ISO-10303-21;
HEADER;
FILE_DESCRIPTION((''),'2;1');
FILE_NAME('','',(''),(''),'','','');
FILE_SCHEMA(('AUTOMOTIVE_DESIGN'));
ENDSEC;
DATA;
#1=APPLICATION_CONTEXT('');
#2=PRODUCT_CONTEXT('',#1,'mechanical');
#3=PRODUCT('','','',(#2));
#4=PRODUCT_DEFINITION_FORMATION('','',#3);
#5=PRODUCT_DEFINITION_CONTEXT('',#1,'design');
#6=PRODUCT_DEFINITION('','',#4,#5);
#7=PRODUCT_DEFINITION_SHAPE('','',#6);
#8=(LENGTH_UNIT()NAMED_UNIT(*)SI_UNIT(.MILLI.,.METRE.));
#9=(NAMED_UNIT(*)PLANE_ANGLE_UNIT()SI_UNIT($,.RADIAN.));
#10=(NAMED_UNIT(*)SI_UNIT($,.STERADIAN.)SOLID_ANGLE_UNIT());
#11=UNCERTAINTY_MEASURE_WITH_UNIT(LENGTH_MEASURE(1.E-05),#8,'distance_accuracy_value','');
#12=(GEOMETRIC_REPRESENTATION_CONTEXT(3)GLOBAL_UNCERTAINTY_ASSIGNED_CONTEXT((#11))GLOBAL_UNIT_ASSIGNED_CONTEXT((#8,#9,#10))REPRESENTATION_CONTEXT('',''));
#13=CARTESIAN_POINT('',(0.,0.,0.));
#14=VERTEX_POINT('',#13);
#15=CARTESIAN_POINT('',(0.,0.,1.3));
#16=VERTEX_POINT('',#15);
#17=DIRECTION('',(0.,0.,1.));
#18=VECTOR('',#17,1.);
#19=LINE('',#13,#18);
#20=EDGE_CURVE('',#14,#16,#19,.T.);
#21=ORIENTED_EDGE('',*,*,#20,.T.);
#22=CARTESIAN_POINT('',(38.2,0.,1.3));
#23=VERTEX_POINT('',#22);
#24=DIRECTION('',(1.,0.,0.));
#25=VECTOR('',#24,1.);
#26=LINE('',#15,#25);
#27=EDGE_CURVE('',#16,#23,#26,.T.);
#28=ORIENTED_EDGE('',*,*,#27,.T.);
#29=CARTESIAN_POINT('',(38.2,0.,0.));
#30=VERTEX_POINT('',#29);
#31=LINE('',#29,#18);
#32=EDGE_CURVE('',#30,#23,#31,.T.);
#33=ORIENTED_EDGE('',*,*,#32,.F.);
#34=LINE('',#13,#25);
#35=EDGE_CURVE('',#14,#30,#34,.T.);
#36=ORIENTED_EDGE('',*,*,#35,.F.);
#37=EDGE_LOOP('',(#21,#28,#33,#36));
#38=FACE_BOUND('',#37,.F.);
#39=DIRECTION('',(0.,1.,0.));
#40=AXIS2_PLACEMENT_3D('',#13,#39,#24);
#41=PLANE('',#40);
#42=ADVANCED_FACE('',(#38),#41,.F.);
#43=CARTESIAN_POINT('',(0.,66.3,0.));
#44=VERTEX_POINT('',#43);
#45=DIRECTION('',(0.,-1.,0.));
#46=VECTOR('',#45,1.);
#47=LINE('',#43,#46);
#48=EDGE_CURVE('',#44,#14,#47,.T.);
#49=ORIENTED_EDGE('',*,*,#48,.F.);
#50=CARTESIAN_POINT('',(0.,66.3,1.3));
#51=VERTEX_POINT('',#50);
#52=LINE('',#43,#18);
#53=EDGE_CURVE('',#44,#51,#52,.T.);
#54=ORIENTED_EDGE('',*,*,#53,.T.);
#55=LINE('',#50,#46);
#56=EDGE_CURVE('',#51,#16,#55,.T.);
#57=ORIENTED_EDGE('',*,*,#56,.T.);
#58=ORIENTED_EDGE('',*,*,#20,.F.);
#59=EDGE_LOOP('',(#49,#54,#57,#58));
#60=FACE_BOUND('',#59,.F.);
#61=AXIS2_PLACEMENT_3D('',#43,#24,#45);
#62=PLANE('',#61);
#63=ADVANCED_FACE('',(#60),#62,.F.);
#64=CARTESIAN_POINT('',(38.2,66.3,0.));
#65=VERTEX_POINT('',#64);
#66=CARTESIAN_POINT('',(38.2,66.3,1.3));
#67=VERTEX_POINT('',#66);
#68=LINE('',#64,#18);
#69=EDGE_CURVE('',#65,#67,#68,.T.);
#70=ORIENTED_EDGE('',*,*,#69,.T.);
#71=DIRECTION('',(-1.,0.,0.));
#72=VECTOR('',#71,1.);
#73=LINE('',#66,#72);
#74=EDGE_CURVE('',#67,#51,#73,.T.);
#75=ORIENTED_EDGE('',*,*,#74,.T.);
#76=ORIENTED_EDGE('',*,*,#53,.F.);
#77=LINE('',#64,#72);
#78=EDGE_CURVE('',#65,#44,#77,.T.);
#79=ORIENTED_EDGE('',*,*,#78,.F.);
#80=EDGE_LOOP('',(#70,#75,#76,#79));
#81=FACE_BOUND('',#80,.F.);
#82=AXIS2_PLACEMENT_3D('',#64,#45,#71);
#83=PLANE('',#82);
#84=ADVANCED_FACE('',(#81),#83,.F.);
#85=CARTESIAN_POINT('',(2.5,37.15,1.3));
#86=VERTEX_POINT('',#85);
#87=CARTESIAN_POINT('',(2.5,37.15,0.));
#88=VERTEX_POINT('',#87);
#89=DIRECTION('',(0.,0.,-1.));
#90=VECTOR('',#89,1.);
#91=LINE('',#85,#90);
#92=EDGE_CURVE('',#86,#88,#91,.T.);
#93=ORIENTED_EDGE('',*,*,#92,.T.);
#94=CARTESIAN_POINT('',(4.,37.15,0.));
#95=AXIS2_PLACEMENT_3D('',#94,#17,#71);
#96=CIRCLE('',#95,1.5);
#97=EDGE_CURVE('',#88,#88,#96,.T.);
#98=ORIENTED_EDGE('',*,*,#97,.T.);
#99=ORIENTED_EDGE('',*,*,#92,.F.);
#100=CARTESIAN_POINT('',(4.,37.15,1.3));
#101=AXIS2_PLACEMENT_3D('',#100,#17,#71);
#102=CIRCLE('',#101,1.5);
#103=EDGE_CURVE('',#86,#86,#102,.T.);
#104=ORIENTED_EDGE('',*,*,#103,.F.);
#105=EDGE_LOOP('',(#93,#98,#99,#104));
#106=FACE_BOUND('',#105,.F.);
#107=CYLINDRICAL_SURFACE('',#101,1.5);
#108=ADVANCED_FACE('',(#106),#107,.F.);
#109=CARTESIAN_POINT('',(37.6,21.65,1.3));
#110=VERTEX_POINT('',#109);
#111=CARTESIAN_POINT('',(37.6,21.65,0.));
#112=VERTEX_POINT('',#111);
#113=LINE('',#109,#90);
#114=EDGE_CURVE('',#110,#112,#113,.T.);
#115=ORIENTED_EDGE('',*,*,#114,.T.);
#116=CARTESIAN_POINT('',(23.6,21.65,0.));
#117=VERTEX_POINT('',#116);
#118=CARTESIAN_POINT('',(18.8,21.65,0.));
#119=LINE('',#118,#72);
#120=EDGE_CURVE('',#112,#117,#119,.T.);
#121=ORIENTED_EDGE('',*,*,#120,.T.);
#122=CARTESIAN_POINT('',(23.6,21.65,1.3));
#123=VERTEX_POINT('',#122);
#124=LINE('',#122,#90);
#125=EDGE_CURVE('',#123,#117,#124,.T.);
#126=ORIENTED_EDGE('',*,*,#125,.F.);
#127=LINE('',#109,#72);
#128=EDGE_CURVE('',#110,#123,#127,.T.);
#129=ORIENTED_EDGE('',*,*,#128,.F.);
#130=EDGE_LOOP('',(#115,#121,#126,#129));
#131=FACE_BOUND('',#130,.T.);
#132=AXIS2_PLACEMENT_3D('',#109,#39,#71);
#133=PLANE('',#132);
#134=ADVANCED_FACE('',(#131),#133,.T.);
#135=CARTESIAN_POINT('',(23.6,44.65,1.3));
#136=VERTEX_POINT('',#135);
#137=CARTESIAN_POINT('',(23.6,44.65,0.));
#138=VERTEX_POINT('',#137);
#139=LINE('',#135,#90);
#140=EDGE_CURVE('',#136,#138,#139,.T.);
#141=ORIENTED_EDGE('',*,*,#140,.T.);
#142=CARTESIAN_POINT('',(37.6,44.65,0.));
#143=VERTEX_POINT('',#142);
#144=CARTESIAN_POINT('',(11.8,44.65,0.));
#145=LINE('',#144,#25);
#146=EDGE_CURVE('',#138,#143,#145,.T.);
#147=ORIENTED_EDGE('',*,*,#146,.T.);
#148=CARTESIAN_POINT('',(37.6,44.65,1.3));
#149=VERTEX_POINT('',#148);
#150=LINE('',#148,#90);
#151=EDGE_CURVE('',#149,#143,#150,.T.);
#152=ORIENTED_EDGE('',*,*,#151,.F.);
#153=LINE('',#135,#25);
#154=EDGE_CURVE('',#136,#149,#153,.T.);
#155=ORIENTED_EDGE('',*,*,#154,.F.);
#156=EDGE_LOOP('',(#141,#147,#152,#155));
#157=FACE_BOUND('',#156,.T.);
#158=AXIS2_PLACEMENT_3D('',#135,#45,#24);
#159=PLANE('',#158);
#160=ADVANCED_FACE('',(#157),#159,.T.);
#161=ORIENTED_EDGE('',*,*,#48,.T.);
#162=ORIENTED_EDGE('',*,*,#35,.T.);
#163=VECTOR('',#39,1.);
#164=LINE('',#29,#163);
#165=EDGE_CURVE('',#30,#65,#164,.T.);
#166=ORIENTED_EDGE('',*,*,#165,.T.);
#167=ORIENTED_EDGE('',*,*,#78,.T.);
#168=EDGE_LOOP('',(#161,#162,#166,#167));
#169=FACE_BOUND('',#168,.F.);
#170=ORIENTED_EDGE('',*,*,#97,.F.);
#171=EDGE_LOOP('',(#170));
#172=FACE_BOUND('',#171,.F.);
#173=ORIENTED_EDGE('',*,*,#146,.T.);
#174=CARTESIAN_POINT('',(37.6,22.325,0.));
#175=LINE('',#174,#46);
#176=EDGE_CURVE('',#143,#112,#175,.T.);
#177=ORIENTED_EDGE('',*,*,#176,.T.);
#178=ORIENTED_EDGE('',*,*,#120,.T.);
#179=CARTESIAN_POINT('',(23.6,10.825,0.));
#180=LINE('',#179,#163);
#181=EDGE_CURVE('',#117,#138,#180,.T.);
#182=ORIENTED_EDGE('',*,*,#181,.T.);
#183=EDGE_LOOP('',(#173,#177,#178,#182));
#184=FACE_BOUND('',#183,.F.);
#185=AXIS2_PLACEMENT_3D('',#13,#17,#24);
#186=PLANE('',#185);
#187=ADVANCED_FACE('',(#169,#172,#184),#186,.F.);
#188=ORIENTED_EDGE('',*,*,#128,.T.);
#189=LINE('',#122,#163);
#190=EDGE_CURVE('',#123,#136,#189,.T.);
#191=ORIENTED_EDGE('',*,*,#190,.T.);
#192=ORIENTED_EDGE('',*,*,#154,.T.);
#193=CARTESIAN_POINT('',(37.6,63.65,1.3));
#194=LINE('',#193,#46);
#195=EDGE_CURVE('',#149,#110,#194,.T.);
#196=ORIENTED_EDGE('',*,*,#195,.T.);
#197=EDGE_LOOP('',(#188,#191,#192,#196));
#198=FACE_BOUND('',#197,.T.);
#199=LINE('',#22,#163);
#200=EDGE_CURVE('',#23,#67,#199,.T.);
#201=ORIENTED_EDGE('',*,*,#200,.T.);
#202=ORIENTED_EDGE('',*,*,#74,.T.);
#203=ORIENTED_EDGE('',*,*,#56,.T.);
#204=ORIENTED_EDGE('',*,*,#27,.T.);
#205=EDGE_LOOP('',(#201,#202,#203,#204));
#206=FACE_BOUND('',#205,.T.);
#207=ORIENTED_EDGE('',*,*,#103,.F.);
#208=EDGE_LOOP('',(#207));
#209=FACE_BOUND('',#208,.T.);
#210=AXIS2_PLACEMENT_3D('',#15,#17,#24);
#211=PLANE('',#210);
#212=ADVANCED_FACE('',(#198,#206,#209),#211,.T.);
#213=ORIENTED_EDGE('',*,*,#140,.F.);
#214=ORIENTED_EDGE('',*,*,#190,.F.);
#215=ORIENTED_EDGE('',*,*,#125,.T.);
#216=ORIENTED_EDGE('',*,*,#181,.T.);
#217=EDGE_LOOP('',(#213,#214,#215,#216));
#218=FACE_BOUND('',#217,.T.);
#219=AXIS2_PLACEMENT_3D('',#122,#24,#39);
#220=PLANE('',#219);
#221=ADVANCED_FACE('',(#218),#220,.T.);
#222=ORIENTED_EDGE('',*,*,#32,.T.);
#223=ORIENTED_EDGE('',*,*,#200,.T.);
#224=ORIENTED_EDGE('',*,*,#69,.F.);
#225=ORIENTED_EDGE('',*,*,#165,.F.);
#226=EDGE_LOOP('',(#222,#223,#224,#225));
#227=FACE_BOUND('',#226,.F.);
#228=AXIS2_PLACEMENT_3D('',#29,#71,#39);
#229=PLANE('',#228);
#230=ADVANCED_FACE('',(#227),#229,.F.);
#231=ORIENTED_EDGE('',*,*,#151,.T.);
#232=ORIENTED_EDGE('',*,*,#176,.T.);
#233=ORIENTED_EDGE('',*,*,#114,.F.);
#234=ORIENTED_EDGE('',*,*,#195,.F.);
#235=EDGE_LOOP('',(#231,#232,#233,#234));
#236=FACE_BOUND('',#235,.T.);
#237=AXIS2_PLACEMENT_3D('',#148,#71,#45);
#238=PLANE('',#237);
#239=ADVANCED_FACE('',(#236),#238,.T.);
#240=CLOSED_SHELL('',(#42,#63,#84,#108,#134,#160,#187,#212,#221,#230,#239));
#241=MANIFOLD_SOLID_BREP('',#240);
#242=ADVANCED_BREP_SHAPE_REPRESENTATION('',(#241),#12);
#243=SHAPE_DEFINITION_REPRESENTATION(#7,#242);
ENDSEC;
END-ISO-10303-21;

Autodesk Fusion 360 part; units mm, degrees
sketch "Sketch1" plane through (0, 0, 0) normal (0, 0, 1) x (1, 0, 0)
  line L0 (0, 0) -> (38.2, 0)
  line L1 (38.2, 0) -> (38.2, 66.3)
  line L2 (38.2, 66.3) -> (0, 66.3)
  line L3 (0, 66.3) -> (0, 0)
  dimension "d1" = 38.2
  dimension "d2" = 66.3
extrude "Extrude1" add sketch "Sketch1" along normal blind 1.3
sketch "Sketch2" plane through (0, 0, 1.3) normal (0, 0, 1) x (-1, 0, 0)
  line L0 (0, -66.3) -> (0, 0)
  line L1 (0, 0) -> (-38.2, 0)
  line L2 (-38.2, 0) -> (-38.2, -66.3)
  line L3 (-38.2, -66.3) -> (0, -66.3)
  line L4 (-0.6, -63.65) -> (-37.6, -63.65)
  line L5 (-37.6, -63.65) -> (-37.6, -2.65)
  line L6 (-37.6, -2.65) -> (-0.6, -2.65)
  line L7 (-0.6, -2.65) -> (-0.6, -63.65)
  line L8 (-37.6, -21.65) -> (-23.6, -21.65)
  line L9 (-23.6, -21.65) -> (-23.6, -44.65)
  line L10 (-23.6, -44.65) -> (-37.6, -44.65)
  line L11 (-37.6, -44.65) -> (-37.6, -21.65)
  line L12 (-0.6, -37.15) -> (-4, -37.15) construction
  circle A0 centre (-4, -37.15) radius 1.5
  dimension "d5" = 37
  dimension "d6" = 61
  dimension "d7" = 2.65
  dimension "d8" = 0.6
  dimension "d9" = 14
  dimension "d10" = 19
  dimension "d11" = 19
  dimension "d12" = 26.5
  dimension "d13" = 3
extrude "Extrude2" cut sketch "Sketch2" against normal blind 78 contours A0
extrude "Extrude3" cut sketch "Sketch2" against normal blind 2 contours L5 L8 L9 L10 L11
